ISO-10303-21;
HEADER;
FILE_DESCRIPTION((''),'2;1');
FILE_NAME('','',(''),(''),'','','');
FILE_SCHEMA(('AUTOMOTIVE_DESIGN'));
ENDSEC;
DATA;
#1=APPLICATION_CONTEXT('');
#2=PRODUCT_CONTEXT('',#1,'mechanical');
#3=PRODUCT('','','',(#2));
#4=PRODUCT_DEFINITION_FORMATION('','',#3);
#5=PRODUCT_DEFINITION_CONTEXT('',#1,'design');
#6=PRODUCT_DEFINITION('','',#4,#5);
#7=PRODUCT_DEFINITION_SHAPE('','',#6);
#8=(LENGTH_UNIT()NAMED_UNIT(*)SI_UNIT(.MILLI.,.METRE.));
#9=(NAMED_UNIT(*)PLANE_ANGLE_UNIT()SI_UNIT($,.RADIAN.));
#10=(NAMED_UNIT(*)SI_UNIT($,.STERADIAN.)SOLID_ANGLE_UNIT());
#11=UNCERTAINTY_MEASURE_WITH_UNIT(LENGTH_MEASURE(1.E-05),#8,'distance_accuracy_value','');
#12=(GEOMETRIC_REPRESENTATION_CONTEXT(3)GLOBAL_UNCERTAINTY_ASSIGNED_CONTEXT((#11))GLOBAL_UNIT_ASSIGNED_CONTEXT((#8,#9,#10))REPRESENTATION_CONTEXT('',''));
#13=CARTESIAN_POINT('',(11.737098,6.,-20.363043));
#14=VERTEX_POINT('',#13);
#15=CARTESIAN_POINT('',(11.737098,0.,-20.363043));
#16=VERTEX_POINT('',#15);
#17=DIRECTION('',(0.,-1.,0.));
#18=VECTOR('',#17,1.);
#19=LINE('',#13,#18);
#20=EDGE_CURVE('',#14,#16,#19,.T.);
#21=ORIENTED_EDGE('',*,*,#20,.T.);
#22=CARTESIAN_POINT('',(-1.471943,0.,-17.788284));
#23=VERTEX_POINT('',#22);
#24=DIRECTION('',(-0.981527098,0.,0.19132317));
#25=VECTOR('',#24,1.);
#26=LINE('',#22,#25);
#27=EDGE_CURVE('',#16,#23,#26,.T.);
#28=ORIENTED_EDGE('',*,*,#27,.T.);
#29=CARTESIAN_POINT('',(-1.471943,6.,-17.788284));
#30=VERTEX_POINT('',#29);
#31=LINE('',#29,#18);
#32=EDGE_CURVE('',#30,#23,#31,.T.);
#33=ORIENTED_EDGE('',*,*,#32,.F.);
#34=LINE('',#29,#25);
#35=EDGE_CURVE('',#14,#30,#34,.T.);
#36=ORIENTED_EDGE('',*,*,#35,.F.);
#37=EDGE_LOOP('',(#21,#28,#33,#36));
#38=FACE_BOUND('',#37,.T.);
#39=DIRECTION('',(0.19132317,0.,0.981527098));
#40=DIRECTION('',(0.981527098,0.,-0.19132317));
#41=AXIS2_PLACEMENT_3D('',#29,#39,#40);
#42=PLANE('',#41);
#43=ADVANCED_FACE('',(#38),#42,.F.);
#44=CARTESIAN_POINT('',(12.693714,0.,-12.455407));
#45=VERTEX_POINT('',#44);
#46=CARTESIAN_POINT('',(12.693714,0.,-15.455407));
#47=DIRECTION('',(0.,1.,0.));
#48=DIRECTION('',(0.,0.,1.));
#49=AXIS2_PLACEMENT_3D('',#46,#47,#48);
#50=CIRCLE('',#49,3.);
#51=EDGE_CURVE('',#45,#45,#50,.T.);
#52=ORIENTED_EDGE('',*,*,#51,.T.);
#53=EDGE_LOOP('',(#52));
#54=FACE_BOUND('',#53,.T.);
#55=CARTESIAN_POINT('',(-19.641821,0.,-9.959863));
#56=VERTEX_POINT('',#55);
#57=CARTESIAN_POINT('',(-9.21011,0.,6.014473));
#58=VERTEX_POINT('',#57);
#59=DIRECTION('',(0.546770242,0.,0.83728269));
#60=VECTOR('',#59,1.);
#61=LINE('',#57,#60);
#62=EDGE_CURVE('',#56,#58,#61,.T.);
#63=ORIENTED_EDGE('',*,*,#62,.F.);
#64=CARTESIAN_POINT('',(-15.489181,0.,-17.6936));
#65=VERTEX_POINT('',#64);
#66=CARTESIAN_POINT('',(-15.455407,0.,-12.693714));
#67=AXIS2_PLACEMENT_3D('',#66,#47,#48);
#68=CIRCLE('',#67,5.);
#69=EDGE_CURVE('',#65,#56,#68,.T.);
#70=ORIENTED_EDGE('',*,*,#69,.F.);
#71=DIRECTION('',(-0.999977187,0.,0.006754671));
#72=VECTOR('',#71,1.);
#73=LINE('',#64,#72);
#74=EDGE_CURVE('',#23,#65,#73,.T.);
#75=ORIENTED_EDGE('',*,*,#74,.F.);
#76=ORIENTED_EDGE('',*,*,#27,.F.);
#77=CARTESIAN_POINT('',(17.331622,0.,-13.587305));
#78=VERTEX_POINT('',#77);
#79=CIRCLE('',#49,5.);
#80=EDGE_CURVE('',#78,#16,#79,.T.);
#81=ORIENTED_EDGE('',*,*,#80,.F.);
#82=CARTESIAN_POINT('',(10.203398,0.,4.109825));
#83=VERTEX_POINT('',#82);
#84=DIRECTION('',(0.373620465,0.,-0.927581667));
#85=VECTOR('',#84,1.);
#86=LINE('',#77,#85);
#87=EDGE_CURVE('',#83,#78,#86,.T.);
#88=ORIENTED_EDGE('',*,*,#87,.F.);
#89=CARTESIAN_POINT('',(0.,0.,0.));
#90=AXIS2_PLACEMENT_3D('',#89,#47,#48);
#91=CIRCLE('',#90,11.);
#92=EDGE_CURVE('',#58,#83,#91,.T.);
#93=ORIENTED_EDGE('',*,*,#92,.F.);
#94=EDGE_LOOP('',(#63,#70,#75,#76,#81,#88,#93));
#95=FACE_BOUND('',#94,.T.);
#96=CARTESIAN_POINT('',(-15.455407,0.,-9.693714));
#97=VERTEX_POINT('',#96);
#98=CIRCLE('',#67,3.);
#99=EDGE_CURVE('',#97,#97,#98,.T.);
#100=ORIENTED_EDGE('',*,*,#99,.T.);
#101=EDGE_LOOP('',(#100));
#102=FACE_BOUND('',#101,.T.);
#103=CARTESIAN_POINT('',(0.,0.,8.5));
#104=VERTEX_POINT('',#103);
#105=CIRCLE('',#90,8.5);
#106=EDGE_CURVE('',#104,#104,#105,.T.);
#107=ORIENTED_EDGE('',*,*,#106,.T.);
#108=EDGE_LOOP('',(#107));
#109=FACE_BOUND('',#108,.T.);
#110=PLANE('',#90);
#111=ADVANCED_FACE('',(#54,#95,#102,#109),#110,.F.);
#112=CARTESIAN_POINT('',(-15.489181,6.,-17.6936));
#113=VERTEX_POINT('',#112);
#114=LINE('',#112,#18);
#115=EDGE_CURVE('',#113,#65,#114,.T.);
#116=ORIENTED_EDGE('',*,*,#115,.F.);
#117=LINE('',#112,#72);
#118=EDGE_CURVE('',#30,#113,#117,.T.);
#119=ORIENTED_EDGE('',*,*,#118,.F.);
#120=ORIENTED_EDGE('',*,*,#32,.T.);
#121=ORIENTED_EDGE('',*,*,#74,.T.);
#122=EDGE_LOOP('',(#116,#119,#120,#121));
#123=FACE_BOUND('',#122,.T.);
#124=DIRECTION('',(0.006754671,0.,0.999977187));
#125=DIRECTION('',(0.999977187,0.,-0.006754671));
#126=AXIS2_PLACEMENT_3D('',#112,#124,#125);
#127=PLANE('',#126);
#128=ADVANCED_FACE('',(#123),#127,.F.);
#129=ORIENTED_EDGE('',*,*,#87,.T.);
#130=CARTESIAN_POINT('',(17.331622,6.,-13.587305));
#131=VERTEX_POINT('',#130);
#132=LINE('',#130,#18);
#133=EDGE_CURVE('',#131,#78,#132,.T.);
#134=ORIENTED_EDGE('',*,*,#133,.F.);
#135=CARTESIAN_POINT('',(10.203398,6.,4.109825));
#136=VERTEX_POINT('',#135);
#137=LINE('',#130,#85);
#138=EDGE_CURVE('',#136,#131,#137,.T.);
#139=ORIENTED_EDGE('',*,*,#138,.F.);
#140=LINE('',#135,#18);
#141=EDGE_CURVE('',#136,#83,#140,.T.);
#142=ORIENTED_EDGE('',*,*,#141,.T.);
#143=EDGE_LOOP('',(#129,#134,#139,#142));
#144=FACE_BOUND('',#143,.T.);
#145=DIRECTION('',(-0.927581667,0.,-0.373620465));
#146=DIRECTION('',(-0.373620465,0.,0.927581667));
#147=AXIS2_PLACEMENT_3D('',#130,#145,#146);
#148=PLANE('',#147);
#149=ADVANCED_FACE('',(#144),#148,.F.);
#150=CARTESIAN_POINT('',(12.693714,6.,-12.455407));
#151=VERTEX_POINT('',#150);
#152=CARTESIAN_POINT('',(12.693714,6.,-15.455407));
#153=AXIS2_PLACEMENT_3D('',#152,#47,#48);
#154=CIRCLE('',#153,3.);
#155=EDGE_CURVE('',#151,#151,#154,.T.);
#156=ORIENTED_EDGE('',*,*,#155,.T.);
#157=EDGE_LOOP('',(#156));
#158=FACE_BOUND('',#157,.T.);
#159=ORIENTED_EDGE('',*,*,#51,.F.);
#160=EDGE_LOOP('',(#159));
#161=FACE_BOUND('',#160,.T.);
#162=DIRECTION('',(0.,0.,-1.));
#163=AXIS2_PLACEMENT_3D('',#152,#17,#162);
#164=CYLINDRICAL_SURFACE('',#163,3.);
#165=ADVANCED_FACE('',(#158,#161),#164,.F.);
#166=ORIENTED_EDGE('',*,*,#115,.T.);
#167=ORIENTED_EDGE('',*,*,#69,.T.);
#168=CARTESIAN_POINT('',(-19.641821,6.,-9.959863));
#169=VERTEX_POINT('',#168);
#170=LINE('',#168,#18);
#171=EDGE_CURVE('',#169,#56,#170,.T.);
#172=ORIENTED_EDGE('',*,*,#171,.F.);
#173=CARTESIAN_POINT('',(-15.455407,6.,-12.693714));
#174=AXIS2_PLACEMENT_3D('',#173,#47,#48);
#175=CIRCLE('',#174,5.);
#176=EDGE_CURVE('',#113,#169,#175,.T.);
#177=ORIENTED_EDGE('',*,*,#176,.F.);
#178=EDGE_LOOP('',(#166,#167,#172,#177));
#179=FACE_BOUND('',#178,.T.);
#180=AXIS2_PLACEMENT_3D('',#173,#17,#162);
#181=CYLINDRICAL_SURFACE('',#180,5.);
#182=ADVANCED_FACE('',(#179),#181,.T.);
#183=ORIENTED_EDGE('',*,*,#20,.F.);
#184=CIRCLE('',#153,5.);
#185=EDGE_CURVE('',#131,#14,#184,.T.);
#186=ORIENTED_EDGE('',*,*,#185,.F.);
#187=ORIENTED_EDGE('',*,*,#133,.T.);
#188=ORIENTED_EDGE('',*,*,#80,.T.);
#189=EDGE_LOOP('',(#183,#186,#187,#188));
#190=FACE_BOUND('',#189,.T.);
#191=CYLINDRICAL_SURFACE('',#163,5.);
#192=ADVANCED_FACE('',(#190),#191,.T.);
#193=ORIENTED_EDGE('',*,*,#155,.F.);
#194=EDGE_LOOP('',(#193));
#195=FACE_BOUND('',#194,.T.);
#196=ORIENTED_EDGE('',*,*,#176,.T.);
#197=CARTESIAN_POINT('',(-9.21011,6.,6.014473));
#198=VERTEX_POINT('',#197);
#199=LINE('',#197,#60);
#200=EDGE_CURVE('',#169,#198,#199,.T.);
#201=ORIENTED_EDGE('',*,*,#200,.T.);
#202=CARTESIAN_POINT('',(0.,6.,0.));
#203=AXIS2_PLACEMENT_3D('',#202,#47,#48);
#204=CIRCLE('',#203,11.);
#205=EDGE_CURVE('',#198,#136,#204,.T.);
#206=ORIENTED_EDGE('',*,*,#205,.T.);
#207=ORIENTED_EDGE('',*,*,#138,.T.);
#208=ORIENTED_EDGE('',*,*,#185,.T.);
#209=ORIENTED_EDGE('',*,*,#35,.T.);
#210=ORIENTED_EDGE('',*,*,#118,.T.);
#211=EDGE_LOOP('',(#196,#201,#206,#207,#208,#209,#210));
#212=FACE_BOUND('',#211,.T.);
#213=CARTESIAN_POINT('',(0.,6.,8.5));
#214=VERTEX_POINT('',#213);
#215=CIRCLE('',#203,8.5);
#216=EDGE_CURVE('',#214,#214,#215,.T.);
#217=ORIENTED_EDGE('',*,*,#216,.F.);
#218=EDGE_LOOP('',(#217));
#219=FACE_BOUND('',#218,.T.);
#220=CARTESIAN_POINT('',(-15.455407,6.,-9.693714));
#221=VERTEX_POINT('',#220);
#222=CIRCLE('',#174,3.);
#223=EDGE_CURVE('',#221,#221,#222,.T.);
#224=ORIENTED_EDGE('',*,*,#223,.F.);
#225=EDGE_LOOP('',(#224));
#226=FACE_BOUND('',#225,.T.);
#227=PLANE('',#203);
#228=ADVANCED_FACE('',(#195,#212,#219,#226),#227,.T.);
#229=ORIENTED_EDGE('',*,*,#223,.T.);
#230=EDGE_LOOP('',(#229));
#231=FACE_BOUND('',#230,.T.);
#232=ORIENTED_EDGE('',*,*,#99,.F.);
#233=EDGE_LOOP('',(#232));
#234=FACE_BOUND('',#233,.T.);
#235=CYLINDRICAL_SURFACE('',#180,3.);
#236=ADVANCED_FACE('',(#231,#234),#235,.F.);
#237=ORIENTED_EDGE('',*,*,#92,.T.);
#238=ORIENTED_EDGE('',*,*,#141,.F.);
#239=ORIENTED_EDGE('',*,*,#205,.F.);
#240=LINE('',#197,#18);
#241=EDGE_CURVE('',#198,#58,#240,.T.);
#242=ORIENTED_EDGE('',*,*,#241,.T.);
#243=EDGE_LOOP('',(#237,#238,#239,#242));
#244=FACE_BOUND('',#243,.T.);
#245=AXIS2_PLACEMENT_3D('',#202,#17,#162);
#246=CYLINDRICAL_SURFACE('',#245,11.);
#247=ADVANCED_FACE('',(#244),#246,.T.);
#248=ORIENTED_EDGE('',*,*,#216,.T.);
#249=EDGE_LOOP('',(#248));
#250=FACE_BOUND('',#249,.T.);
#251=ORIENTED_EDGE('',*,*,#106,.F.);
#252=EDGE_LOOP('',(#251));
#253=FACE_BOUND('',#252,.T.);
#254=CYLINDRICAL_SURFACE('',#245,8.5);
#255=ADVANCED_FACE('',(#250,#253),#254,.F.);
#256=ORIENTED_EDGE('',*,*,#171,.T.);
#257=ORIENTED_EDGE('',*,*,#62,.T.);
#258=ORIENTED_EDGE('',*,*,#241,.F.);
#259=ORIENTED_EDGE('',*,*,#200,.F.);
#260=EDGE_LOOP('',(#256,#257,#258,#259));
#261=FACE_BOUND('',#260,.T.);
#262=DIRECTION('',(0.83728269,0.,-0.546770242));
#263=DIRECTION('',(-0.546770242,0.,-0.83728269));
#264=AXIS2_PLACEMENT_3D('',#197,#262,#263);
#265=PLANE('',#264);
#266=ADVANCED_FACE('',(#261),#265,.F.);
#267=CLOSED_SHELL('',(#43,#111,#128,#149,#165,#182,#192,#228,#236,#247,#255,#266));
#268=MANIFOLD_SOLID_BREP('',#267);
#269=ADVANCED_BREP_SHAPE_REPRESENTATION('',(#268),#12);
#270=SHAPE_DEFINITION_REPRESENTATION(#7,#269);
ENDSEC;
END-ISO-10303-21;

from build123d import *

# Parameters (mm, degrees)
CROQUIS1_R              = 8.5
CROQUIS1_R_2            = 3
SALIENTE_EXTRUIR1_DEPTH = 6


with BuildPart() as part:
    # Croquis1 → Saliente-Extruir1 (new body)
    with BuildSketch(Plane(origin=(0, 0, 0), x_dir=(1, 0, 0), z_dir=(0, 1, 0))):
        with BuildLine():
            Line((-9.210109587, -6.014472661), (-19.641820946, 9.959862948))
            ThreePointArc((-19.641820946, 9.959862948), (-19.860537089, 15.059054149), (-15.489180854, 17.693600092))
            Line((-15.489180854, 17.693600092), (-1.471942871, 17.788284087))
            Line((-1.471942871, 17.788284087), (11.737098306, 20.363042988))
            ThreePointArc((11.737098306, 20.363042988), (16.549311947, 18.638859347), (17.33162249, 13.587305173))
            Line((17.33162249, 13.587305173), (10.203398333, -4.109825113))
            ThreePointArc((10.203398333, -4.109825113), (1.074046649, -10.947439143), (-9.210109587, -6.014472661))
        make_face()
        with Locations(Location((0, 0, 0), (0, 0, 270))):
            Circle(CROQUIS1_R, mode=Mode.SUBTRACT)
        with Locations(Location((-15.455407497, 12.693714157, 0), (0, 0, 270))):
            Circle(CROQUIS1_R_2, mode=Mode.SUBTRACT)
        with Locations(Location((12.693714157, 15.455407497, 0), (0, 0, 270))):
            Circle(CROQUIS1_R_2, mode=Mode.SUBTRACT)
    extrude(amount=SALIENTE_EXTRUIR1_DEPTH)


solid = part.part
